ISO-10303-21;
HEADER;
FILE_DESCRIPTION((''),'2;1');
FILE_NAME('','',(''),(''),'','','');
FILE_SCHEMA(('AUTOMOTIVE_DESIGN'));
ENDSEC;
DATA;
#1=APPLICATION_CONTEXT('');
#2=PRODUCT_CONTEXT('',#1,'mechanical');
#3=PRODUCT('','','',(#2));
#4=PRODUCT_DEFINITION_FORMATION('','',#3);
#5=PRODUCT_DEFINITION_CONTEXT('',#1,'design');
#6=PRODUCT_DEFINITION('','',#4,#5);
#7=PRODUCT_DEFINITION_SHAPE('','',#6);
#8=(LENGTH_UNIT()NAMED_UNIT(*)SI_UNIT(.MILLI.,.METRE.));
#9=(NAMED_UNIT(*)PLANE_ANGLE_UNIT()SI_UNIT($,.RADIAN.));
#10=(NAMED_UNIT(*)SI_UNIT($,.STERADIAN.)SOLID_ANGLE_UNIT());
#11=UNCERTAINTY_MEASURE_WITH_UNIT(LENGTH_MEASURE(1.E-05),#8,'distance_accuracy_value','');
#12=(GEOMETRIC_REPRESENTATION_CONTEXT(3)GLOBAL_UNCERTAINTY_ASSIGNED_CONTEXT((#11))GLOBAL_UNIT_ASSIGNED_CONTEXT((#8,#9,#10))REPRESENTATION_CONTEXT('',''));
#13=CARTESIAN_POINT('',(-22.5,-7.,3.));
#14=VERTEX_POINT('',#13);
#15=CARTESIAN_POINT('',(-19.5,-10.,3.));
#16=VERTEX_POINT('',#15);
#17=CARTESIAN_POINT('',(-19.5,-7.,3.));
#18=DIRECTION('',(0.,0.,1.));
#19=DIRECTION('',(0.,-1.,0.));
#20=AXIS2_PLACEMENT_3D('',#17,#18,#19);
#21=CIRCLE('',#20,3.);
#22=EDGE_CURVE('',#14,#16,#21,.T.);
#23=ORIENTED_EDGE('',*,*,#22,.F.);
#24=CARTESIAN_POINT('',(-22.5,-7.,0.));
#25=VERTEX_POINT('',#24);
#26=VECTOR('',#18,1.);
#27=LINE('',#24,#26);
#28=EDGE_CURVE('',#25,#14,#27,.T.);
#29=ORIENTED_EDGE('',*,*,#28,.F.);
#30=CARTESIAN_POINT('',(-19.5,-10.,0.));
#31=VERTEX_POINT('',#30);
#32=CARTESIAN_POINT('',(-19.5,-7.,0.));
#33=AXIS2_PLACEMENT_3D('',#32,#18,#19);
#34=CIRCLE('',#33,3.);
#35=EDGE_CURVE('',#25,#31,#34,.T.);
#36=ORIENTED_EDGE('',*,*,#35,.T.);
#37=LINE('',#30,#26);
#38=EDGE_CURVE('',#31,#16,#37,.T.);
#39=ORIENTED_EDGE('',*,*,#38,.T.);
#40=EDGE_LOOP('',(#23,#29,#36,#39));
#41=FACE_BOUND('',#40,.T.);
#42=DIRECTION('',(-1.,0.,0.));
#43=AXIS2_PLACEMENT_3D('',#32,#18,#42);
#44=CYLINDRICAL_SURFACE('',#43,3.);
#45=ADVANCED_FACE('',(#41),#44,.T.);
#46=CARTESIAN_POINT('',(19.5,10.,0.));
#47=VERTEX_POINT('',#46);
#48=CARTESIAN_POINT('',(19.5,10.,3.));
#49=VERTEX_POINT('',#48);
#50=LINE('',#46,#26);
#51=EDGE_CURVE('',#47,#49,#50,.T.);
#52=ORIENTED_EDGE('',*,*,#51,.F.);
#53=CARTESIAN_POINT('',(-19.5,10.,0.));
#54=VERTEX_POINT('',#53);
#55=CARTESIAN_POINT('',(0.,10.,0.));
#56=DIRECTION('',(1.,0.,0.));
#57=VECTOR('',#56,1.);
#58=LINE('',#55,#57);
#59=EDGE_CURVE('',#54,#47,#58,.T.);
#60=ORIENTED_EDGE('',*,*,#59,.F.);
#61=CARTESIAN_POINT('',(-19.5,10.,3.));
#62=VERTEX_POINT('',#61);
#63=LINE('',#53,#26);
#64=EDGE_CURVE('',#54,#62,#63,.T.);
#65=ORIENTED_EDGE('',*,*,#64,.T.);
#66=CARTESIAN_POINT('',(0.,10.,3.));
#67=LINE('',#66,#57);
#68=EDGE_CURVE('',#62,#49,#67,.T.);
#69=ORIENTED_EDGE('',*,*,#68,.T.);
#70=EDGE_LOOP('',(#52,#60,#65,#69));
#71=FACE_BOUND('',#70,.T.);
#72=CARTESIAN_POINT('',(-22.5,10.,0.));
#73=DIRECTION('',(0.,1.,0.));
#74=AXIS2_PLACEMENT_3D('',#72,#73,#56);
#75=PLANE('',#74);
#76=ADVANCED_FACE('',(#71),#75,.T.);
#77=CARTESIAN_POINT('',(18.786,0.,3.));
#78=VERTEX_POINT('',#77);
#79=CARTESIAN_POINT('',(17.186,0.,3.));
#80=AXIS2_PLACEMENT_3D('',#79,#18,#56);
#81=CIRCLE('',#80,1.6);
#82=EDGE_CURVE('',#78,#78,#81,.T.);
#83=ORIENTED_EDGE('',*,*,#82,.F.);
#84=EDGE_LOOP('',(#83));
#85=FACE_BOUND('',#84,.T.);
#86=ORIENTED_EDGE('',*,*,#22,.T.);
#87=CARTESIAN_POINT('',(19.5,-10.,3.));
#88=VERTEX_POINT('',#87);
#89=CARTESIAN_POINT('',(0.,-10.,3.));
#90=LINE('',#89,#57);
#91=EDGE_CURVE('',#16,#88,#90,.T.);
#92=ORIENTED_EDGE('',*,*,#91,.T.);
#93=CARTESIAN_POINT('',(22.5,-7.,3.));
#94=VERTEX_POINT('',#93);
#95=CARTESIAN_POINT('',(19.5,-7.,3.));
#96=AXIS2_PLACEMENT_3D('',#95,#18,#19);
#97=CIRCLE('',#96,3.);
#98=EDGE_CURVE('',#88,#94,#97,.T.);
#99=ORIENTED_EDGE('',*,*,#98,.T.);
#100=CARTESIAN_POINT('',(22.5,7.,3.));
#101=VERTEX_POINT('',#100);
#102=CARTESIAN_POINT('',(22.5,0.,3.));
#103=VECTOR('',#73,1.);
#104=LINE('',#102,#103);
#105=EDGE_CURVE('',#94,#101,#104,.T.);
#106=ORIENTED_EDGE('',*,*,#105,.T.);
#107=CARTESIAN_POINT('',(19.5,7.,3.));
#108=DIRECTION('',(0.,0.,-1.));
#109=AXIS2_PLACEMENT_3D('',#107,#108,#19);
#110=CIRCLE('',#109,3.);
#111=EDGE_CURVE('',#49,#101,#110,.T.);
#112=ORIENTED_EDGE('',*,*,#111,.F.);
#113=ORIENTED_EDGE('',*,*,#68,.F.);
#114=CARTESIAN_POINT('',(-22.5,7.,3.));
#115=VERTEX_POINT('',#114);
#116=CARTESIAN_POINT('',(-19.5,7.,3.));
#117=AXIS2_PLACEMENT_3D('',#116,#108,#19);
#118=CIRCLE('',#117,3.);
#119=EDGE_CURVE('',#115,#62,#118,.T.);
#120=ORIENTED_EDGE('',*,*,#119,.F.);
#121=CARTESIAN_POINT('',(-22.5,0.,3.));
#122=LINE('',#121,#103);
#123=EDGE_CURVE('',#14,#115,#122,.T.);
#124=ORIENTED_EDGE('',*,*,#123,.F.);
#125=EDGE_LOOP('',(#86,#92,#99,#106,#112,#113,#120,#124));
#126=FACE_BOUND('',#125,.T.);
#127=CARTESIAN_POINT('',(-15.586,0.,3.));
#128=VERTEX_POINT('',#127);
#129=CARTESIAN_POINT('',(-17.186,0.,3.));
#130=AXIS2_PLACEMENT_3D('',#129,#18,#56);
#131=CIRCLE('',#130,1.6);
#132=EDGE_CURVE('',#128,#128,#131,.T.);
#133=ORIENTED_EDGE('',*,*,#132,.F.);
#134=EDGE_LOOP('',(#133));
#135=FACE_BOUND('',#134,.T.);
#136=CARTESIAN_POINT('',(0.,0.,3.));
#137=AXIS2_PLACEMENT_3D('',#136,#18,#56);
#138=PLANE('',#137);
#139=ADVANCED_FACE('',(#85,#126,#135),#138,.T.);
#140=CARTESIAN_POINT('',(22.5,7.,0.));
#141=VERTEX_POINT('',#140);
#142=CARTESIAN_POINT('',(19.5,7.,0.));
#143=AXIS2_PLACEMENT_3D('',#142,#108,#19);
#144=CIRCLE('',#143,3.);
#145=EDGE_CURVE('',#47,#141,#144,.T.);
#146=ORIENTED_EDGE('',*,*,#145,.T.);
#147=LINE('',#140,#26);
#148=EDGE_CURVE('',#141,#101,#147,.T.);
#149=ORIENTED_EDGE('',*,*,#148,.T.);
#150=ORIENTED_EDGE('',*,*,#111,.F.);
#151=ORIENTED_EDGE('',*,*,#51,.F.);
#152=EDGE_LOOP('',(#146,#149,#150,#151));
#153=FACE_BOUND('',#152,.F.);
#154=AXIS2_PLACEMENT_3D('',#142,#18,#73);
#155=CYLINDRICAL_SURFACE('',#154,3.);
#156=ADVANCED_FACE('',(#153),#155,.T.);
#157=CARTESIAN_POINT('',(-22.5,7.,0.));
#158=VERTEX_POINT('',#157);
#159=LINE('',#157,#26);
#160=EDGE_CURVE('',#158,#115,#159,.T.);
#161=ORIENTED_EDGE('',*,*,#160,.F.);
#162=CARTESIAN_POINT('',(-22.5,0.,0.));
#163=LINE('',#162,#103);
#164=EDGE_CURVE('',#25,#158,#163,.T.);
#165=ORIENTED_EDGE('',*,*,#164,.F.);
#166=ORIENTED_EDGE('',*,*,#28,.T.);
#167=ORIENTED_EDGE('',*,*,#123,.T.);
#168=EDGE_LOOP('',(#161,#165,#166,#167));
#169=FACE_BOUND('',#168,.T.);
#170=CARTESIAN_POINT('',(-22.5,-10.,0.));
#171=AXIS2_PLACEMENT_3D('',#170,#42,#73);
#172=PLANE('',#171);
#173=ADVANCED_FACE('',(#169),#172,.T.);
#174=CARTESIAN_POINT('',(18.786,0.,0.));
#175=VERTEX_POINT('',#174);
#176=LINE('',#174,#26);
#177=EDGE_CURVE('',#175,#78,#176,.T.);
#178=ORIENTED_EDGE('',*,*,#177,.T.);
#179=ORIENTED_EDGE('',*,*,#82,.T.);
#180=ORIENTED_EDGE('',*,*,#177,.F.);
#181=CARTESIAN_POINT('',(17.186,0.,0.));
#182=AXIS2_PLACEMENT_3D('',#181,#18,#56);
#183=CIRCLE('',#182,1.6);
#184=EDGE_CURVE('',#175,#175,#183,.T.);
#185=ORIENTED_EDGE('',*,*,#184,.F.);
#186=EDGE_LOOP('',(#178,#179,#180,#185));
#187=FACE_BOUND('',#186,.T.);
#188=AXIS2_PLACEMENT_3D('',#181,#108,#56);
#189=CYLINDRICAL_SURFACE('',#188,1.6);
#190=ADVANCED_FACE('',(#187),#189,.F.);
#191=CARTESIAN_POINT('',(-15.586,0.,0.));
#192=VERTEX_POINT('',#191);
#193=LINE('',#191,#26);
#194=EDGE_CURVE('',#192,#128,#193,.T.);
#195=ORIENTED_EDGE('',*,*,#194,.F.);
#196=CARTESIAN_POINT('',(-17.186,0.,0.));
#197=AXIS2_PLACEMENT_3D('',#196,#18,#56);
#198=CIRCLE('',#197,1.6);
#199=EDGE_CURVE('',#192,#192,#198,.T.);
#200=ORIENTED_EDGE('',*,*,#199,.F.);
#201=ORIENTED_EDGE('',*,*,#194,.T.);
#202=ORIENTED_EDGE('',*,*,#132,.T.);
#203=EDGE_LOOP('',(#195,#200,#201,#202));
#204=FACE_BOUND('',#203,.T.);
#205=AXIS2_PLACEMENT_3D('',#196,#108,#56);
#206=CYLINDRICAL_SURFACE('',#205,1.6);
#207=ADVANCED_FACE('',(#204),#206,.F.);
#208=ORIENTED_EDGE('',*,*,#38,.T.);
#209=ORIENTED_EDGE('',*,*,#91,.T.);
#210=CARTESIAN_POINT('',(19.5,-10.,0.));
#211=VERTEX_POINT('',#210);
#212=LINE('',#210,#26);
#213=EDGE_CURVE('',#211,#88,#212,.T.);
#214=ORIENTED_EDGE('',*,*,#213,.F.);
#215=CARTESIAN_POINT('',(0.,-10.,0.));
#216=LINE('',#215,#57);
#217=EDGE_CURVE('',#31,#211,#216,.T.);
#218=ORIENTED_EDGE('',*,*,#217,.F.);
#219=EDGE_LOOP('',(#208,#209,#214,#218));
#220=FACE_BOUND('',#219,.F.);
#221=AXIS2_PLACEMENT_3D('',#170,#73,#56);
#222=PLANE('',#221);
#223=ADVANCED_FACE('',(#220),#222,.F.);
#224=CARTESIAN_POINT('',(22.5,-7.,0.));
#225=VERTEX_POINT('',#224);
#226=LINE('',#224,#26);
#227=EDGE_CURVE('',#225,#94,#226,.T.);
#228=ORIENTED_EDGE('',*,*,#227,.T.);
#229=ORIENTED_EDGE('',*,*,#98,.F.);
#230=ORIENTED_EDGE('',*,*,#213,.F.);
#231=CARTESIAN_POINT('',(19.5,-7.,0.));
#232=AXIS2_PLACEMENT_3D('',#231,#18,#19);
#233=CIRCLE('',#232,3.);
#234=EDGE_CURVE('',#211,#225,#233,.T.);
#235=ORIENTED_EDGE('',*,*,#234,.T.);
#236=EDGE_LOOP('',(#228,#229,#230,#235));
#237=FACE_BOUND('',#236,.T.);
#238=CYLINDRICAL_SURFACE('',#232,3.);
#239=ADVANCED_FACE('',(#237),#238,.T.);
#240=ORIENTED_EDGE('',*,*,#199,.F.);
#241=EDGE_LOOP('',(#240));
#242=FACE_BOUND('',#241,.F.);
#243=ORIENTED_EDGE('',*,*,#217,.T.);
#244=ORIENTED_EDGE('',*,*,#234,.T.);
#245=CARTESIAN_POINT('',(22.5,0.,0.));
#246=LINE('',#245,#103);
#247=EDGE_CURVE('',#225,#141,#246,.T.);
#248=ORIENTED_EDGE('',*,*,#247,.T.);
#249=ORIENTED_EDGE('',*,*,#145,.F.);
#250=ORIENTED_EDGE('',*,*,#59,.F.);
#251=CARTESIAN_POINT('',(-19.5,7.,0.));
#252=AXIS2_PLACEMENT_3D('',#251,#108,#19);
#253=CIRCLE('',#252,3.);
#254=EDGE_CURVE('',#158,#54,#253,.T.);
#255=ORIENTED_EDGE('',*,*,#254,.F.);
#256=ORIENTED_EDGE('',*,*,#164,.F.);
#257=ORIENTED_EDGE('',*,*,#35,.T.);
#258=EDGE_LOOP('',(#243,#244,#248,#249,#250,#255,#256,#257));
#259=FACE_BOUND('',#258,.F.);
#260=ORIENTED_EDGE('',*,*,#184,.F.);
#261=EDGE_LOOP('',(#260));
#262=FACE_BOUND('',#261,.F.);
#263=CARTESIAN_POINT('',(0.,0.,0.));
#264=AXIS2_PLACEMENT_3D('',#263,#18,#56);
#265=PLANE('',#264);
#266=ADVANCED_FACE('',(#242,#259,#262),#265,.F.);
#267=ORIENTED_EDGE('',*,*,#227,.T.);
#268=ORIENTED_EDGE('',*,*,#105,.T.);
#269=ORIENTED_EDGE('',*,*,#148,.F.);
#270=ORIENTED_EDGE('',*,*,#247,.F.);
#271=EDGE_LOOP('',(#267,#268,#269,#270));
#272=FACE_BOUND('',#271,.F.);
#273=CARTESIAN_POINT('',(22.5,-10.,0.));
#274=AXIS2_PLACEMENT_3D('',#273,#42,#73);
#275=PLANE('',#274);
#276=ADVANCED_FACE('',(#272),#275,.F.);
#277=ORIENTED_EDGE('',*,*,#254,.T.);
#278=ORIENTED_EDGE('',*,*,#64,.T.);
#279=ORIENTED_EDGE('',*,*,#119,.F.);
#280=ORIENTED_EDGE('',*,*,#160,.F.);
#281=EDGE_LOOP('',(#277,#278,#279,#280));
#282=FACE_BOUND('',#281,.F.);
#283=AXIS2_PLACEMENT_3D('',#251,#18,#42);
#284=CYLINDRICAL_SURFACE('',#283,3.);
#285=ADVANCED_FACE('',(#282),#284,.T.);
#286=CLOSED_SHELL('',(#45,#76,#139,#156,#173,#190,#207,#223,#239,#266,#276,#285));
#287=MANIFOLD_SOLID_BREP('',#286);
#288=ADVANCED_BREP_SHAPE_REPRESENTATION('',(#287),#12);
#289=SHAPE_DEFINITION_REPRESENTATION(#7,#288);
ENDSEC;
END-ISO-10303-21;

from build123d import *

# Parameters (mm, degrees)
SKETCH_W  = 45
SKETCH_H  = 20
SKETCH_R  = 1.6
PAD_DEPTH = 3
FILLET_R  = 3


with BuildPart() as part:
    # Sketch → Pad (new body)
    with BuildSketch(Plane.XY):
        Rectangle(SKETCH_W, SKETCH_H)
        with Locations((-17.186, 0)):
            Circle(SKETCH_R, mode=Mode.SUBTRACT)
        with Locations((17.186, 0)):
            Circle(SKETCH_R, mode=Mode.SUBTRACT)
    extrude(amount=PAD_DEPTH)

    # Fillet
    fillet_edges = [part.edges().sort_by_distance(p)[0] for p in [
        (22.5, 10, 1.5),
        (22.5, -10, 1.5),
        (-22.5, -10, 1.5),
        (-22.5, 10, 1.5),
    ]]
    fillet(fillet_edges, radius=FILLET_R)


solid = part.part
